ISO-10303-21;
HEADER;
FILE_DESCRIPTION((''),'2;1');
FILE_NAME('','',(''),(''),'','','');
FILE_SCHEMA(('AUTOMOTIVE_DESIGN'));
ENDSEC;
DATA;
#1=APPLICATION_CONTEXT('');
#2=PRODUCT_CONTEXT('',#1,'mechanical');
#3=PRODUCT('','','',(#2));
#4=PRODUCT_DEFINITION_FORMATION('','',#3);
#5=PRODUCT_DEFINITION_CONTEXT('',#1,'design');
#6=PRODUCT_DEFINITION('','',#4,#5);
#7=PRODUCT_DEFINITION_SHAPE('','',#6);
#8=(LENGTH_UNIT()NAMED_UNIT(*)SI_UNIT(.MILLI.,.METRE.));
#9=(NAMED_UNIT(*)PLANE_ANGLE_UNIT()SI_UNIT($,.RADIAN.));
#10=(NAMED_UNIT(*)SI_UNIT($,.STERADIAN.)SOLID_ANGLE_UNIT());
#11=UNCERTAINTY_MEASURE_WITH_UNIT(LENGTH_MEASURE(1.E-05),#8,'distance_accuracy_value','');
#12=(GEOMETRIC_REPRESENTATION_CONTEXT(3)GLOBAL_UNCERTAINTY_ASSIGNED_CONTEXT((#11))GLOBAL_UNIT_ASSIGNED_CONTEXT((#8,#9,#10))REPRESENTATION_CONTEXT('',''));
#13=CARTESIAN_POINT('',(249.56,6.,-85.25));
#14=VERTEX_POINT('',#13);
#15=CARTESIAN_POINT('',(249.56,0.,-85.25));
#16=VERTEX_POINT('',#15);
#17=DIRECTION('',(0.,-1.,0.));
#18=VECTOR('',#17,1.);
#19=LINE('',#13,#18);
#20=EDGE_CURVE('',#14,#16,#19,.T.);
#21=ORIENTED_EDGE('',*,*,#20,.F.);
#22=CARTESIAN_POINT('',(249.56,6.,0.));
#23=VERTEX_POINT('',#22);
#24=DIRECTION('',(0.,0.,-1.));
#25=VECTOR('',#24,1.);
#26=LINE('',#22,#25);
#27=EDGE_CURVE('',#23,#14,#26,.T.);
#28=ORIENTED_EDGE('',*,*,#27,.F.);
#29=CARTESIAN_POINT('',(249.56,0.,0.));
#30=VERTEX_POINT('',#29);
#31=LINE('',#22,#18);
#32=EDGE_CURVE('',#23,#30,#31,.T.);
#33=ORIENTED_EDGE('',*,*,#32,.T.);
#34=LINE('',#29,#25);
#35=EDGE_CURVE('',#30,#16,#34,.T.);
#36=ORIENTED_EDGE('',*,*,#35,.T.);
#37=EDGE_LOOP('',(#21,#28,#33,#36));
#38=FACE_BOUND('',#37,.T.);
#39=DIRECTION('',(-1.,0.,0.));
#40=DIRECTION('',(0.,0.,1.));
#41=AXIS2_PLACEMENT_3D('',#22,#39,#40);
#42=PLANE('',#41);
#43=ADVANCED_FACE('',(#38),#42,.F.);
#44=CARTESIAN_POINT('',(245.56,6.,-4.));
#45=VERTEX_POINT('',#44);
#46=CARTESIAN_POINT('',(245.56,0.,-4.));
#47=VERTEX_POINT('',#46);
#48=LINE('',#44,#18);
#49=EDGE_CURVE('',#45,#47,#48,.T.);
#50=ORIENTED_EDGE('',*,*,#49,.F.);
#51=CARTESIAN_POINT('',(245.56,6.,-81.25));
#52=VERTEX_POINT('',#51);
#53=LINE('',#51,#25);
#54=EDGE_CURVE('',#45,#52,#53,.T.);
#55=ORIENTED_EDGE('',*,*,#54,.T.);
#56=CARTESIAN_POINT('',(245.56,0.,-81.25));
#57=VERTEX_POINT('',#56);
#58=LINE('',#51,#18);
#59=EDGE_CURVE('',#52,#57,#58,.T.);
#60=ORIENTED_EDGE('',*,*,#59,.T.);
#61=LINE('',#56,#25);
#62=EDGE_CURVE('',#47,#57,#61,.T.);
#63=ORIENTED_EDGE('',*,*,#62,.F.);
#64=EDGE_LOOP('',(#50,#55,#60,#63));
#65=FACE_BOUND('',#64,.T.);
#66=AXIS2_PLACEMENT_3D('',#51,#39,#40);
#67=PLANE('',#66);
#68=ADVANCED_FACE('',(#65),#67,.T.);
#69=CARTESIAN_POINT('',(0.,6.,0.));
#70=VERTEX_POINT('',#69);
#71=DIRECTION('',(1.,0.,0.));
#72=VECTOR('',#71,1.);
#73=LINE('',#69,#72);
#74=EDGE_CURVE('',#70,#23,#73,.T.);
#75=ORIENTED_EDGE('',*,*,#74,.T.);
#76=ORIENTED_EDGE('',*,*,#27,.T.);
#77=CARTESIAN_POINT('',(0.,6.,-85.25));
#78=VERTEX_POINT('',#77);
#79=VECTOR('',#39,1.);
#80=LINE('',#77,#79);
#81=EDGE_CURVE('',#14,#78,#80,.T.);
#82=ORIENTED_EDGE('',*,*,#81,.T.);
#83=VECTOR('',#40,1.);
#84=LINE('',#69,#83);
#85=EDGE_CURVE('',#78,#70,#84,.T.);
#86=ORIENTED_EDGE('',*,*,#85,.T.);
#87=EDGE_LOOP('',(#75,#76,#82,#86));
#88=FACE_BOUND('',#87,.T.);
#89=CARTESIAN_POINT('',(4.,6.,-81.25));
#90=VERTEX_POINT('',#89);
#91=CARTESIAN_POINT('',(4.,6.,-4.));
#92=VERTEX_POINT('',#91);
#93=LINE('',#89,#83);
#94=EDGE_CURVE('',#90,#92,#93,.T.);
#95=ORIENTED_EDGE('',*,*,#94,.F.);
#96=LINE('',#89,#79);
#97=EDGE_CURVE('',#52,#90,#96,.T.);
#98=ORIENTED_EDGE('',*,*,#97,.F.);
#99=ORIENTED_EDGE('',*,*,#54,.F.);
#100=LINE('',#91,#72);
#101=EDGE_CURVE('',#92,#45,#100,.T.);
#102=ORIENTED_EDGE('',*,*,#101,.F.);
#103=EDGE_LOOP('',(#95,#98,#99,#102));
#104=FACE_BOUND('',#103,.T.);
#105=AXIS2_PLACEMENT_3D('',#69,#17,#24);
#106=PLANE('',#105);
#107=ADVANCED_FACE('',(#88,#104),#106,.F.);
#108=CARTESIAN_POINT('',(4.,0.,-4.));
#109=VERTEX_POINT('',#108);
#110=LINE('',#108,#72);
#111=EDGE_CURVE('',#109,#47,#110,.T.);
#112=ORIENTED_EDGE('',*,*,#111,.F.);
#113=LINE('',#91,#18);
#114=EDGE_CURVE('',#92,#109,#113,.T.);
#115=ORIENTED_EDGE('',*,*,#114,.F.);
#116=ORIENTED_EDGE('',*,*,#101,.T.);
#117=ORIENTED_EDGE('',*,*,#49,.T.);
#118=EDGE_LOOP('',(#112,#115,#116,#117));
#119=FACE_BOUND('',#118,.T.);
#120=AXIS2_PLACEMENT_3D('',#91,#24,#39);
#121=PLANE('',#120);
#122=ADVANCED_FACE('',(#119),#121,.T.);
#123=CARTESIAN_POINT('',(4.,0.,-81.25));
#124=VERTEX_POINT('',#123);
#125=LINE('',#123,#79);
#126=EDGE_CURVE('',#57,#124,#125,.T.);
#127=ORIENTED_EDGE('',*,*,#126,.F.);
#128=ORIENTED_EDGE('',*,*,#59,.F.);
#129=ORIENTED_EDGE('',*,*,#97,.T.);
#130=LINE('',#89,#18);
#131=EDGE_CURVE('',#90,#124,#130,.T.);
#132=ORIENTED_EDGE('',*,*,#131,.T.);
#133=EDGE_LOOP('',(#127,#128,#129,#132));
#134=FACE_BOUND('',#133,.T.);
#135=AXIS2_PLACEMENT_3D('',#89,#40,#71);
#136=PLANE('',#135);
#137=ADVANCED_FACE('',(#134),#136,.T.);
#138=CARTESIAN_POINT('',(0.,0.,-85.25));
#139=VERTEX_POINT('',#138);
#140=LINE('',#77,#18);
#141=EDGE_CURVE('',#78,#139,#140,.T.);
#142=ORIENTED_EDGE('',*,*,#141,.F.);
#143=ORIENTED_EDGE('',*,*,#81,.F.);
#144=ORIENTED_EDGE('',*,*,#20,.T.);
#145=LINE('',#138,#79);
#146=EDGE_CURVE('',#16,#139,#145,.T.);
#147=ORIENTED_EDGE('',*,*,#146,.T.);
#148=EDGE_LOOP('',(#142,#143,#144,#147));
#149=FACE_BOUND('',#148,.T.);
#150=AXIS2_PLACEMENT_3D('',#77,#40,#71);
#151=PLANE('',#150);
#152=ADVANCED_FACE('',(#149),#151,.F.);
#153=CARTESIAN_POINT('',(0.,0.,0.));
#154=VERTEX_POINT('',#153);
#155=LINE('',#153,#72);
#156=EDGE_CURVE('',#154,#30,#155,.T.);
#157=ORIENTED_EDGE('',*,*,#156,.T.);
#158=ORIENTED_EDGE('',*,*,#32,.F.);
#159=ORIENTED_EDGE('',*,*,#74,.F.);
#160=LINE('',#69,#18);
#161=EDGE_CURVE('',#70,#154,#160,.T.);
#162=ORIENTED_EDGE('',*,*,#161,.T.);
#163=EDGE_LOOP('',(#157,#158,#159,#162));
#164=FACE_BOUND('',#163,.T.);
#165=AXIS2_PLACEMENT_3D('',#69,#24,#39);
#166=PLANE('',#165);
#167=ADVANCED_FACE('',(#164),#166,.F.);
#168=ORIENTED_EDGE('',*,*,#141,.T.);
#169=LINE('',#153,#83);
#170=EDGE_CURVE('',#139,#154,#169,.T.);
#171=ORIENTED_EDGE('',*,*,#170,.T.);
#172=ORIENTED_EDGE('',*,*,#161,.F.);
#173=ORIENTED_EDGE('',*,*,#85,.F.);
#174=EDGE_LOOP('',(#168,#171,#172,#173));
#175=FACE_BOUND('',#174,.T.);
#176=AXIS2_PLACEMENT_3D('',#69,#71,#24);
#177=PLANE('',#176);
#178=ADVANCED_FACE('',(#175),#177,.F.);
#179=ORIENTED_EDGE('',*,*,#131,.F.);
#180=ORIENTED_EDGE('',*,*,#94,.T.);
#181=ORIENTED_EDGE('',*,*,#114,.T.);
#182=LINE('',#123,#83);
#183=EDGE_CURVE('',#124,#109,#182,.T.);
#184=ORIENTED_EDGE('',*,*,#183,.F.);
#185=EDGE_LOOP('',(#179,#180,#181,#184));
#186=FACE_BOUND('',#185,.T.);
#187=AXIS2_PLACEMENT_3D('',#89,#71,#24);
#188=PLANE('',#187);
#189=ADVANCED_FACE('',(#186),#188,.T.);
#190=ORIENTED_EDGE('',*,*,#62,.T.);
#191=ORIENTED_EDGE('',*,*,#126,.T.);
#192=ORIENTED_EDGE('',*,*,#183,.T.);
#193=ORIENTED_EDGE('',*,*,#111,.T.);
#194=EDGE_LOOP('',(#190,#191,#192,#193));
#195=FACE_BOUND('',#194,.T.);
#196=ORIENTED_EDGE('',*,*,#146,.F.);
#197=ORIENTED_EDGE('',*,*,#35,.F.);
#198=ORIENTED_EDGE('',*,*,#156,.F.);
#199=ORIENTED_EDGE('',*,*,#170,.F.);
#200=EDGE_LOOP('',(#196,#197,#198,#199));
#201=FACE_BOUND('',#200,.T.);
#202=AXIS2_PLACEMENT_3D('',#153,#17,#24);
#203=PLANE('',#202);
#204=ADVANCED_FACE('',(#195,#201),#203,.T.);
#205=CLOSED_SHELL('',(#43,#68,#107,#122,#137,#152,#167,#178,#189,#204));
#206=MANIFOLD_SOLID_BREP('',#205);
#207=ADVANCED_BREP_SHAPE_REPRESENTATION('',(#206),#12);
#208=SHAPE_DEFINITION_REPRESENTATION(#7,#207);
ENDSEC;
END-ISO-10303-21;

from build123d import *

# Parameters (mm, degrees)
ESQUISSE1_W        = 249.56
ESQUISSE1_H        = 85.25
ESQUISSE1_W_2      = 241.56
ESQUISSE1_H_2      = 77.25
BOSS_EXTRU_1_DEPTH = 6


with BuildPart() as part:
    # Esquisse1 → Boss.-Extru.1 (new body)
    with BuildSketch(Plane(origin=(0, 0, 0), x_dir=(1, 0, 0), z_dir=(0, 1, 0))):
        with Locations((124.78, 42.625)):
            Rectangle(ESQUISSE1_W, ESQUISSE1_H)
        with Locations((124.78, 42.625)):
            Rectangle(ESQUISSE1_W_2, ESQUISSE1_H_2, mode=Mode.SUBTRACT)
    extrude(amount=BOSS_EXTRU_1_DEPTH)


solid = part.part
